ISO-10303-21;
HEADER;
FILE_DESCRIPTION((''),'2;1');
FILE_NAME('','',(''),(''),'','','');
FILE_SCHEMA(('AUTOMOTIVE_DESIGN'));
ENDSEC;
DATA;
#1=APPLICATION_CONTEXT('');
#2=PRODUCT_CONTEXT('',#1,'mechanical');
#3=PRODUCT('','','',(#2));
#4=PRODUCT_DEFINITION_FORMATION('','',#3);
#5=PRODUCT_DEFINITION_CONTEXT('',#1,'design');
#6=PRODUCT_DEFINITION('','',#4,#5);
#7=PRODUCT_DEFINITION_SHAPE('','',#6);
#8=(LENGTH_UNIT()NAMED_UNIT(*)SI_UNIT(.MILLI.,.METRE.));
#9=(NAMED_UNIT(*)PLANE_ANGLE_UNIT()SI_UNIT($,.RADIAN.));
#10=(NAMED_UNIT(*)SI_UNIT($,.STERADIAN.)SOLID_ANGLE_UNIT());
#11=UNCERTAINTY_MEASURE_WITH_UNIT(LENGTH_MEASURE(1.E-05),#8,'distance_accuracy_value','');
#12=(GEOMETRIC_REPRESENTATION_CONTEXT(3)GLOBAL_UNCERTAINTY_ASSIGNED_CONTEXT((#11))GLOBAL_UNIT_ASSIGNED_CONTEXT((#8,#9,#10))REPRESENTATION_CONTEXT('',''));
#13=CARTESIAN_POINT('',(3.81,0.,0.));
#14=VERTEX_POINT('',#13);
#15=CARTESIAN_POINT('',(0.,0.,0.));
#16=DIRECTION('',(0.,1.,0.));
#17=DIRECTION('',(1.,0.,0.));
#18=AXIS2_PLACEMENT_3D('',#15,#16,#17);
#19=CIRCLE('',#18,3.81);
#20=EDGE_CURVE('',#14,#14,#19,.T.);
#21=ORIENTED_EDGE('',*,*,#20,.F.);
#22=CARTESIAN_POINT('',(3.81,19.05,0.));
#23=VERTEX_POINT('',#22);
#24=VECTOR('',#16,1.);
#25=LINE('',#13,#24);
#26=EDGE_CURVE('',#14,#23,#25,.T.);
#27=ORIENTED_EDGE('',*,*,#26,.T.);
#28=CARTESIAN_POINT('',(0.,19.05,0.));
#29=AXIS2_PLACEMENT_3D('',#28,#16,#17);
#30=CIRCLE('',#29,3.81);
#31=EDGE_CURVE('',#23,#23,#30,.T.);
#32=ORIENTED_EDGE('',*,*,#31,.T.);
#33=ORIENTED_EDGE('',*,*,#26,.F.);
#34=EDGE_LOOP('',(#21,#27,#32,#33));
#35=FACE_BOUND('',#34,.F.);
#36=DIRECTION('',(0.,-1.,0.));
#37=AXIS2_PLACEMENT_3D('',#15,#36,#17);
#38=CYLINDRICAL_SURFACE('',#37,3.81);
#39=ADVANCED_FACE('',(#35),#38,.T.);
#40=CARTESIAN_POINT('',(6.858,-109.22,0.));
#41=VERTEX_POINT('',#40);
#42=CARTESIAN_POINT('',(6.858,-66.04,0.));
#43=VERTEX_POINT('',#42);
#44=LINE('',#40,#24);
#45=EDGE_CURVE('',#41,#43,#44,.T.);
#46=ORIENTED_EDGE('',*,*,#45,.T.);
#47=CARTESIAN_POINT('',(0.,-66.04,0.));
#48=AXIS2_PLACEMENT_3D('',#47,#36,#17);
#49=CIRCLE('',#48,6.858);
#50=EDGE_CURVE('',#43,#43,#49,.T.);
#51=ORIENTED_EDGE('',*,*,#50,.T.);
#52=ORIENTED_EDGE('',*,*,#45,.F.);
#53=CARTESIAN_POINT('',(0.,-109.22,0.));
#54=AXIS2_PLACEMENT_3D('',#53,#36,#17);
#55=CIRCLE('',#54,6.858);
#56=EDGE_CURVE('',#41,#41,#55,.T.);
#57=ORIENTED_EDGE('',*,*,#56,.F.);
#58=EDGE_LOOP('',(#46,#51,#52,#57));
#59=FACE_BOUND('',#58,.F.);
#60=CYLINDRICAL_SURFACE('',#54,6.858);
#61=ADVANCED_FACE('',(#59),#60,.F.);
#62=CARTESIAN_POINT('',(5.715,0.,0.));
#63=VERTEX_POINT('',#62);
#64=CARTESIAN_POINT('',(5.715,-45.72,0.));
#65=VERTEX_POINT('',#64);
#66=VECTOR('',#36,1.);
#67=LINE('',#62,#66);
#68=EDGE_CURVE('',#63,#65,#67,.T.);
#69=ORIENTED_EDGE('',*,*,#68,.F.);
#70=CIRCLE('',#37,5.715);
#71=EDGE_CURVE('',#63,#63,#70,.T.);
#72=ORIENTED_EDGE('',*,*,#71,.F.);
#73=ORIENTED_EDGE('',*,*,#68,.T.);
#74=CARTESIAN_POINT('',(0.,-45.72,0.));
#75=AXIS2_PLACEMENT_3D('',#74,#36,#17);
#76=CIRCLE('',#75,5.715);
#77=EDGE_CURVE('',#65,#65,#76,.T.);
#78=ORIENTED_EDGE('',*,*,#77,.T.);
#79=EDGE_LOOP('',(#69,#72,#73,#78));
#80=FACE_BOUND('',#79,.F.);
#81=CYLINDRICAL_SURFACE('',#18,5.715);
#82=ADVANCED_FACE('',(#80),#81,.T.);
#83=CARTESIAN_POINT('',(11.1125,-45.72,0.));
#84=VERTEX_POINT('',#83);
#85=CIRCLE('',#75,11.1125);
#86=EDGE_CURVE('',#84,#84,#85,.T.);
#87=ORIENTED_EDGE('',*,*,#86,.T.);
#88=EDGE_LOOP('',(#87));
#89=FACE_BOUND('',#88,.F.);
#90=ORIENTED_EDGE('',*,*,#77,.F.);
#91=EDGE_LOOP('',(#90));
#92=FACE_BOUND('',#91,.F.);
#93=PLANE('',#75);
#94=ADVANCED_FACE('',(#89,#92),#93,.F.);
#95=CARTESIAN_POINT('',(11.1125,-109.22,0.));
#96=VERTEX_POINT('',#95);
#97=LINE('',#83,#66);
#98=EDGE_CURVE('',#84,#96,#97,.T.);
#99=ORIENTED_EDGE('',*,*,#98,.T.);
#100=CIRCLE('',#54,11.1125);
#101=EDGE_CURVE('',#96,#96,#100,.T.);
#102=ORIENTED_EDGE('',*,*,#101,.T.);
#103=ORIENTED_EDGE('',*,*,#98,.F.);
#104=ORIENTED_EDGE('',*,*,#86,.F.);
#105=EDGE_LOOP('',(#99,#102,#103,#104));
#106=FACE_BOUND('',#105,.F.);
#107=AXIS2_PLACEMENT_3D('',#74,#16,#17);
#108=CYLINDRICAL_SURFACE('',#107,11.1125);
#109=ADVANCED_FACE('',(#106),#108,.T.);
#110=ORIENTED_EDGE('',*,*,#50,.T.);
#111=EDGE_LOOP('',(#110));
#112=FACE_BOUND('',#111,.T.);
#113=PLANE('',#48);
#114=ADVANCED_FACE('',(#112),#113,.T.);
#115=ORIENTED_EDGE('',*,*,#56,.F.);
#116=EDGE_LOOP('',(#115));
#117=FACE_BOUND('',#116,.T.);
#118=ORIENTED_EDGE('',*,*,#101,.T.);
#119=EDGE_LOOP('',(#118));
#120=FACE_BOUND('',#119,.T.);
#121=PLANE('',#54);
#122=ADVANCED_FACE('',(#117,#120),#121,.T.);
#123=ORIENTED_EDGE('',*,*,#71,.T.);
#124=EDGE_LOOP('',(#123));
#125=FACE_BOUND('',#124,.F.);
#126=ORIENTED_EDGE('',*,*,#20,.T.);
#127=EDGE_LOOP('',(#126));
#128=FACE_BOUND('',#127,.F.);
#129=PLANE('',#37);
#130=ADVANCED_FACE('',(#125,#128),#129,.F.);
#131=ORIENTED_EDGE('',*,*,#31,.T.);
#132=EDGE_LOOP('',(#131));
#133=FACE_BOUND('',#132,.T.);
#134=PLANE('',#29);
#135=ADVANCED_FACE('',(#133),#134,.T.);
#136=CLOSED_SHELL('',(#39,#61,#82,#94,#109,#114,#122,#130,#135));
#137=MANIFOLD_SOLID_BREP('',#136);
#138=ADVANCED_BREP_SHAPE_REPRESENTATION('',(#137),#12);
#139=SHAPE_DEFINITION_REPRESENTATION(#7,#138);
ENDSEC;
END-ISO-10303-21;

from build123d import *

# Parameters (mm, degrees)
F0_R      = 5.715
F1_DEPTH  = 45.72
F3_R      = 11.1125
F4_DEPTH  = 63.5
F6_R      = 6.858
F7_DEPTH  = 43.18
F9_R      = 3.81
F10_DEPTH = 19.05


with BuildPart() as f1:
    # F0 (on Front) → F1 (new body)
    with BuildSketch(Plane.XZ):
        Circle(F0_R)
    extrude(amount=F1_DEPTH)

    # F3 (on offset) → F4 (join)
    with BuildSketch(Plane.XZ.offset(45.72)):
        Circle(F3_R)
    extrude(amount=F4_DEPTH)

    # F6 (on offset) → F7 (cut)
    with BuildSketch(Plane.XZ.offset(109.22)):
        Circle(F6_R)
    extrude(amount=-F7_DEPTH, mode=Mode.SUBTRACT)

    # F9 (on offset) → F10 (join)
    with BuildSketch(Plane(origin=(0, 0, 0), x_dir=(1, 0, 0), z_dir=(0, 1, 0))):
        Circle(F9_R)
    extrude(amount=F10_DEPTH)


solid = f1.part
